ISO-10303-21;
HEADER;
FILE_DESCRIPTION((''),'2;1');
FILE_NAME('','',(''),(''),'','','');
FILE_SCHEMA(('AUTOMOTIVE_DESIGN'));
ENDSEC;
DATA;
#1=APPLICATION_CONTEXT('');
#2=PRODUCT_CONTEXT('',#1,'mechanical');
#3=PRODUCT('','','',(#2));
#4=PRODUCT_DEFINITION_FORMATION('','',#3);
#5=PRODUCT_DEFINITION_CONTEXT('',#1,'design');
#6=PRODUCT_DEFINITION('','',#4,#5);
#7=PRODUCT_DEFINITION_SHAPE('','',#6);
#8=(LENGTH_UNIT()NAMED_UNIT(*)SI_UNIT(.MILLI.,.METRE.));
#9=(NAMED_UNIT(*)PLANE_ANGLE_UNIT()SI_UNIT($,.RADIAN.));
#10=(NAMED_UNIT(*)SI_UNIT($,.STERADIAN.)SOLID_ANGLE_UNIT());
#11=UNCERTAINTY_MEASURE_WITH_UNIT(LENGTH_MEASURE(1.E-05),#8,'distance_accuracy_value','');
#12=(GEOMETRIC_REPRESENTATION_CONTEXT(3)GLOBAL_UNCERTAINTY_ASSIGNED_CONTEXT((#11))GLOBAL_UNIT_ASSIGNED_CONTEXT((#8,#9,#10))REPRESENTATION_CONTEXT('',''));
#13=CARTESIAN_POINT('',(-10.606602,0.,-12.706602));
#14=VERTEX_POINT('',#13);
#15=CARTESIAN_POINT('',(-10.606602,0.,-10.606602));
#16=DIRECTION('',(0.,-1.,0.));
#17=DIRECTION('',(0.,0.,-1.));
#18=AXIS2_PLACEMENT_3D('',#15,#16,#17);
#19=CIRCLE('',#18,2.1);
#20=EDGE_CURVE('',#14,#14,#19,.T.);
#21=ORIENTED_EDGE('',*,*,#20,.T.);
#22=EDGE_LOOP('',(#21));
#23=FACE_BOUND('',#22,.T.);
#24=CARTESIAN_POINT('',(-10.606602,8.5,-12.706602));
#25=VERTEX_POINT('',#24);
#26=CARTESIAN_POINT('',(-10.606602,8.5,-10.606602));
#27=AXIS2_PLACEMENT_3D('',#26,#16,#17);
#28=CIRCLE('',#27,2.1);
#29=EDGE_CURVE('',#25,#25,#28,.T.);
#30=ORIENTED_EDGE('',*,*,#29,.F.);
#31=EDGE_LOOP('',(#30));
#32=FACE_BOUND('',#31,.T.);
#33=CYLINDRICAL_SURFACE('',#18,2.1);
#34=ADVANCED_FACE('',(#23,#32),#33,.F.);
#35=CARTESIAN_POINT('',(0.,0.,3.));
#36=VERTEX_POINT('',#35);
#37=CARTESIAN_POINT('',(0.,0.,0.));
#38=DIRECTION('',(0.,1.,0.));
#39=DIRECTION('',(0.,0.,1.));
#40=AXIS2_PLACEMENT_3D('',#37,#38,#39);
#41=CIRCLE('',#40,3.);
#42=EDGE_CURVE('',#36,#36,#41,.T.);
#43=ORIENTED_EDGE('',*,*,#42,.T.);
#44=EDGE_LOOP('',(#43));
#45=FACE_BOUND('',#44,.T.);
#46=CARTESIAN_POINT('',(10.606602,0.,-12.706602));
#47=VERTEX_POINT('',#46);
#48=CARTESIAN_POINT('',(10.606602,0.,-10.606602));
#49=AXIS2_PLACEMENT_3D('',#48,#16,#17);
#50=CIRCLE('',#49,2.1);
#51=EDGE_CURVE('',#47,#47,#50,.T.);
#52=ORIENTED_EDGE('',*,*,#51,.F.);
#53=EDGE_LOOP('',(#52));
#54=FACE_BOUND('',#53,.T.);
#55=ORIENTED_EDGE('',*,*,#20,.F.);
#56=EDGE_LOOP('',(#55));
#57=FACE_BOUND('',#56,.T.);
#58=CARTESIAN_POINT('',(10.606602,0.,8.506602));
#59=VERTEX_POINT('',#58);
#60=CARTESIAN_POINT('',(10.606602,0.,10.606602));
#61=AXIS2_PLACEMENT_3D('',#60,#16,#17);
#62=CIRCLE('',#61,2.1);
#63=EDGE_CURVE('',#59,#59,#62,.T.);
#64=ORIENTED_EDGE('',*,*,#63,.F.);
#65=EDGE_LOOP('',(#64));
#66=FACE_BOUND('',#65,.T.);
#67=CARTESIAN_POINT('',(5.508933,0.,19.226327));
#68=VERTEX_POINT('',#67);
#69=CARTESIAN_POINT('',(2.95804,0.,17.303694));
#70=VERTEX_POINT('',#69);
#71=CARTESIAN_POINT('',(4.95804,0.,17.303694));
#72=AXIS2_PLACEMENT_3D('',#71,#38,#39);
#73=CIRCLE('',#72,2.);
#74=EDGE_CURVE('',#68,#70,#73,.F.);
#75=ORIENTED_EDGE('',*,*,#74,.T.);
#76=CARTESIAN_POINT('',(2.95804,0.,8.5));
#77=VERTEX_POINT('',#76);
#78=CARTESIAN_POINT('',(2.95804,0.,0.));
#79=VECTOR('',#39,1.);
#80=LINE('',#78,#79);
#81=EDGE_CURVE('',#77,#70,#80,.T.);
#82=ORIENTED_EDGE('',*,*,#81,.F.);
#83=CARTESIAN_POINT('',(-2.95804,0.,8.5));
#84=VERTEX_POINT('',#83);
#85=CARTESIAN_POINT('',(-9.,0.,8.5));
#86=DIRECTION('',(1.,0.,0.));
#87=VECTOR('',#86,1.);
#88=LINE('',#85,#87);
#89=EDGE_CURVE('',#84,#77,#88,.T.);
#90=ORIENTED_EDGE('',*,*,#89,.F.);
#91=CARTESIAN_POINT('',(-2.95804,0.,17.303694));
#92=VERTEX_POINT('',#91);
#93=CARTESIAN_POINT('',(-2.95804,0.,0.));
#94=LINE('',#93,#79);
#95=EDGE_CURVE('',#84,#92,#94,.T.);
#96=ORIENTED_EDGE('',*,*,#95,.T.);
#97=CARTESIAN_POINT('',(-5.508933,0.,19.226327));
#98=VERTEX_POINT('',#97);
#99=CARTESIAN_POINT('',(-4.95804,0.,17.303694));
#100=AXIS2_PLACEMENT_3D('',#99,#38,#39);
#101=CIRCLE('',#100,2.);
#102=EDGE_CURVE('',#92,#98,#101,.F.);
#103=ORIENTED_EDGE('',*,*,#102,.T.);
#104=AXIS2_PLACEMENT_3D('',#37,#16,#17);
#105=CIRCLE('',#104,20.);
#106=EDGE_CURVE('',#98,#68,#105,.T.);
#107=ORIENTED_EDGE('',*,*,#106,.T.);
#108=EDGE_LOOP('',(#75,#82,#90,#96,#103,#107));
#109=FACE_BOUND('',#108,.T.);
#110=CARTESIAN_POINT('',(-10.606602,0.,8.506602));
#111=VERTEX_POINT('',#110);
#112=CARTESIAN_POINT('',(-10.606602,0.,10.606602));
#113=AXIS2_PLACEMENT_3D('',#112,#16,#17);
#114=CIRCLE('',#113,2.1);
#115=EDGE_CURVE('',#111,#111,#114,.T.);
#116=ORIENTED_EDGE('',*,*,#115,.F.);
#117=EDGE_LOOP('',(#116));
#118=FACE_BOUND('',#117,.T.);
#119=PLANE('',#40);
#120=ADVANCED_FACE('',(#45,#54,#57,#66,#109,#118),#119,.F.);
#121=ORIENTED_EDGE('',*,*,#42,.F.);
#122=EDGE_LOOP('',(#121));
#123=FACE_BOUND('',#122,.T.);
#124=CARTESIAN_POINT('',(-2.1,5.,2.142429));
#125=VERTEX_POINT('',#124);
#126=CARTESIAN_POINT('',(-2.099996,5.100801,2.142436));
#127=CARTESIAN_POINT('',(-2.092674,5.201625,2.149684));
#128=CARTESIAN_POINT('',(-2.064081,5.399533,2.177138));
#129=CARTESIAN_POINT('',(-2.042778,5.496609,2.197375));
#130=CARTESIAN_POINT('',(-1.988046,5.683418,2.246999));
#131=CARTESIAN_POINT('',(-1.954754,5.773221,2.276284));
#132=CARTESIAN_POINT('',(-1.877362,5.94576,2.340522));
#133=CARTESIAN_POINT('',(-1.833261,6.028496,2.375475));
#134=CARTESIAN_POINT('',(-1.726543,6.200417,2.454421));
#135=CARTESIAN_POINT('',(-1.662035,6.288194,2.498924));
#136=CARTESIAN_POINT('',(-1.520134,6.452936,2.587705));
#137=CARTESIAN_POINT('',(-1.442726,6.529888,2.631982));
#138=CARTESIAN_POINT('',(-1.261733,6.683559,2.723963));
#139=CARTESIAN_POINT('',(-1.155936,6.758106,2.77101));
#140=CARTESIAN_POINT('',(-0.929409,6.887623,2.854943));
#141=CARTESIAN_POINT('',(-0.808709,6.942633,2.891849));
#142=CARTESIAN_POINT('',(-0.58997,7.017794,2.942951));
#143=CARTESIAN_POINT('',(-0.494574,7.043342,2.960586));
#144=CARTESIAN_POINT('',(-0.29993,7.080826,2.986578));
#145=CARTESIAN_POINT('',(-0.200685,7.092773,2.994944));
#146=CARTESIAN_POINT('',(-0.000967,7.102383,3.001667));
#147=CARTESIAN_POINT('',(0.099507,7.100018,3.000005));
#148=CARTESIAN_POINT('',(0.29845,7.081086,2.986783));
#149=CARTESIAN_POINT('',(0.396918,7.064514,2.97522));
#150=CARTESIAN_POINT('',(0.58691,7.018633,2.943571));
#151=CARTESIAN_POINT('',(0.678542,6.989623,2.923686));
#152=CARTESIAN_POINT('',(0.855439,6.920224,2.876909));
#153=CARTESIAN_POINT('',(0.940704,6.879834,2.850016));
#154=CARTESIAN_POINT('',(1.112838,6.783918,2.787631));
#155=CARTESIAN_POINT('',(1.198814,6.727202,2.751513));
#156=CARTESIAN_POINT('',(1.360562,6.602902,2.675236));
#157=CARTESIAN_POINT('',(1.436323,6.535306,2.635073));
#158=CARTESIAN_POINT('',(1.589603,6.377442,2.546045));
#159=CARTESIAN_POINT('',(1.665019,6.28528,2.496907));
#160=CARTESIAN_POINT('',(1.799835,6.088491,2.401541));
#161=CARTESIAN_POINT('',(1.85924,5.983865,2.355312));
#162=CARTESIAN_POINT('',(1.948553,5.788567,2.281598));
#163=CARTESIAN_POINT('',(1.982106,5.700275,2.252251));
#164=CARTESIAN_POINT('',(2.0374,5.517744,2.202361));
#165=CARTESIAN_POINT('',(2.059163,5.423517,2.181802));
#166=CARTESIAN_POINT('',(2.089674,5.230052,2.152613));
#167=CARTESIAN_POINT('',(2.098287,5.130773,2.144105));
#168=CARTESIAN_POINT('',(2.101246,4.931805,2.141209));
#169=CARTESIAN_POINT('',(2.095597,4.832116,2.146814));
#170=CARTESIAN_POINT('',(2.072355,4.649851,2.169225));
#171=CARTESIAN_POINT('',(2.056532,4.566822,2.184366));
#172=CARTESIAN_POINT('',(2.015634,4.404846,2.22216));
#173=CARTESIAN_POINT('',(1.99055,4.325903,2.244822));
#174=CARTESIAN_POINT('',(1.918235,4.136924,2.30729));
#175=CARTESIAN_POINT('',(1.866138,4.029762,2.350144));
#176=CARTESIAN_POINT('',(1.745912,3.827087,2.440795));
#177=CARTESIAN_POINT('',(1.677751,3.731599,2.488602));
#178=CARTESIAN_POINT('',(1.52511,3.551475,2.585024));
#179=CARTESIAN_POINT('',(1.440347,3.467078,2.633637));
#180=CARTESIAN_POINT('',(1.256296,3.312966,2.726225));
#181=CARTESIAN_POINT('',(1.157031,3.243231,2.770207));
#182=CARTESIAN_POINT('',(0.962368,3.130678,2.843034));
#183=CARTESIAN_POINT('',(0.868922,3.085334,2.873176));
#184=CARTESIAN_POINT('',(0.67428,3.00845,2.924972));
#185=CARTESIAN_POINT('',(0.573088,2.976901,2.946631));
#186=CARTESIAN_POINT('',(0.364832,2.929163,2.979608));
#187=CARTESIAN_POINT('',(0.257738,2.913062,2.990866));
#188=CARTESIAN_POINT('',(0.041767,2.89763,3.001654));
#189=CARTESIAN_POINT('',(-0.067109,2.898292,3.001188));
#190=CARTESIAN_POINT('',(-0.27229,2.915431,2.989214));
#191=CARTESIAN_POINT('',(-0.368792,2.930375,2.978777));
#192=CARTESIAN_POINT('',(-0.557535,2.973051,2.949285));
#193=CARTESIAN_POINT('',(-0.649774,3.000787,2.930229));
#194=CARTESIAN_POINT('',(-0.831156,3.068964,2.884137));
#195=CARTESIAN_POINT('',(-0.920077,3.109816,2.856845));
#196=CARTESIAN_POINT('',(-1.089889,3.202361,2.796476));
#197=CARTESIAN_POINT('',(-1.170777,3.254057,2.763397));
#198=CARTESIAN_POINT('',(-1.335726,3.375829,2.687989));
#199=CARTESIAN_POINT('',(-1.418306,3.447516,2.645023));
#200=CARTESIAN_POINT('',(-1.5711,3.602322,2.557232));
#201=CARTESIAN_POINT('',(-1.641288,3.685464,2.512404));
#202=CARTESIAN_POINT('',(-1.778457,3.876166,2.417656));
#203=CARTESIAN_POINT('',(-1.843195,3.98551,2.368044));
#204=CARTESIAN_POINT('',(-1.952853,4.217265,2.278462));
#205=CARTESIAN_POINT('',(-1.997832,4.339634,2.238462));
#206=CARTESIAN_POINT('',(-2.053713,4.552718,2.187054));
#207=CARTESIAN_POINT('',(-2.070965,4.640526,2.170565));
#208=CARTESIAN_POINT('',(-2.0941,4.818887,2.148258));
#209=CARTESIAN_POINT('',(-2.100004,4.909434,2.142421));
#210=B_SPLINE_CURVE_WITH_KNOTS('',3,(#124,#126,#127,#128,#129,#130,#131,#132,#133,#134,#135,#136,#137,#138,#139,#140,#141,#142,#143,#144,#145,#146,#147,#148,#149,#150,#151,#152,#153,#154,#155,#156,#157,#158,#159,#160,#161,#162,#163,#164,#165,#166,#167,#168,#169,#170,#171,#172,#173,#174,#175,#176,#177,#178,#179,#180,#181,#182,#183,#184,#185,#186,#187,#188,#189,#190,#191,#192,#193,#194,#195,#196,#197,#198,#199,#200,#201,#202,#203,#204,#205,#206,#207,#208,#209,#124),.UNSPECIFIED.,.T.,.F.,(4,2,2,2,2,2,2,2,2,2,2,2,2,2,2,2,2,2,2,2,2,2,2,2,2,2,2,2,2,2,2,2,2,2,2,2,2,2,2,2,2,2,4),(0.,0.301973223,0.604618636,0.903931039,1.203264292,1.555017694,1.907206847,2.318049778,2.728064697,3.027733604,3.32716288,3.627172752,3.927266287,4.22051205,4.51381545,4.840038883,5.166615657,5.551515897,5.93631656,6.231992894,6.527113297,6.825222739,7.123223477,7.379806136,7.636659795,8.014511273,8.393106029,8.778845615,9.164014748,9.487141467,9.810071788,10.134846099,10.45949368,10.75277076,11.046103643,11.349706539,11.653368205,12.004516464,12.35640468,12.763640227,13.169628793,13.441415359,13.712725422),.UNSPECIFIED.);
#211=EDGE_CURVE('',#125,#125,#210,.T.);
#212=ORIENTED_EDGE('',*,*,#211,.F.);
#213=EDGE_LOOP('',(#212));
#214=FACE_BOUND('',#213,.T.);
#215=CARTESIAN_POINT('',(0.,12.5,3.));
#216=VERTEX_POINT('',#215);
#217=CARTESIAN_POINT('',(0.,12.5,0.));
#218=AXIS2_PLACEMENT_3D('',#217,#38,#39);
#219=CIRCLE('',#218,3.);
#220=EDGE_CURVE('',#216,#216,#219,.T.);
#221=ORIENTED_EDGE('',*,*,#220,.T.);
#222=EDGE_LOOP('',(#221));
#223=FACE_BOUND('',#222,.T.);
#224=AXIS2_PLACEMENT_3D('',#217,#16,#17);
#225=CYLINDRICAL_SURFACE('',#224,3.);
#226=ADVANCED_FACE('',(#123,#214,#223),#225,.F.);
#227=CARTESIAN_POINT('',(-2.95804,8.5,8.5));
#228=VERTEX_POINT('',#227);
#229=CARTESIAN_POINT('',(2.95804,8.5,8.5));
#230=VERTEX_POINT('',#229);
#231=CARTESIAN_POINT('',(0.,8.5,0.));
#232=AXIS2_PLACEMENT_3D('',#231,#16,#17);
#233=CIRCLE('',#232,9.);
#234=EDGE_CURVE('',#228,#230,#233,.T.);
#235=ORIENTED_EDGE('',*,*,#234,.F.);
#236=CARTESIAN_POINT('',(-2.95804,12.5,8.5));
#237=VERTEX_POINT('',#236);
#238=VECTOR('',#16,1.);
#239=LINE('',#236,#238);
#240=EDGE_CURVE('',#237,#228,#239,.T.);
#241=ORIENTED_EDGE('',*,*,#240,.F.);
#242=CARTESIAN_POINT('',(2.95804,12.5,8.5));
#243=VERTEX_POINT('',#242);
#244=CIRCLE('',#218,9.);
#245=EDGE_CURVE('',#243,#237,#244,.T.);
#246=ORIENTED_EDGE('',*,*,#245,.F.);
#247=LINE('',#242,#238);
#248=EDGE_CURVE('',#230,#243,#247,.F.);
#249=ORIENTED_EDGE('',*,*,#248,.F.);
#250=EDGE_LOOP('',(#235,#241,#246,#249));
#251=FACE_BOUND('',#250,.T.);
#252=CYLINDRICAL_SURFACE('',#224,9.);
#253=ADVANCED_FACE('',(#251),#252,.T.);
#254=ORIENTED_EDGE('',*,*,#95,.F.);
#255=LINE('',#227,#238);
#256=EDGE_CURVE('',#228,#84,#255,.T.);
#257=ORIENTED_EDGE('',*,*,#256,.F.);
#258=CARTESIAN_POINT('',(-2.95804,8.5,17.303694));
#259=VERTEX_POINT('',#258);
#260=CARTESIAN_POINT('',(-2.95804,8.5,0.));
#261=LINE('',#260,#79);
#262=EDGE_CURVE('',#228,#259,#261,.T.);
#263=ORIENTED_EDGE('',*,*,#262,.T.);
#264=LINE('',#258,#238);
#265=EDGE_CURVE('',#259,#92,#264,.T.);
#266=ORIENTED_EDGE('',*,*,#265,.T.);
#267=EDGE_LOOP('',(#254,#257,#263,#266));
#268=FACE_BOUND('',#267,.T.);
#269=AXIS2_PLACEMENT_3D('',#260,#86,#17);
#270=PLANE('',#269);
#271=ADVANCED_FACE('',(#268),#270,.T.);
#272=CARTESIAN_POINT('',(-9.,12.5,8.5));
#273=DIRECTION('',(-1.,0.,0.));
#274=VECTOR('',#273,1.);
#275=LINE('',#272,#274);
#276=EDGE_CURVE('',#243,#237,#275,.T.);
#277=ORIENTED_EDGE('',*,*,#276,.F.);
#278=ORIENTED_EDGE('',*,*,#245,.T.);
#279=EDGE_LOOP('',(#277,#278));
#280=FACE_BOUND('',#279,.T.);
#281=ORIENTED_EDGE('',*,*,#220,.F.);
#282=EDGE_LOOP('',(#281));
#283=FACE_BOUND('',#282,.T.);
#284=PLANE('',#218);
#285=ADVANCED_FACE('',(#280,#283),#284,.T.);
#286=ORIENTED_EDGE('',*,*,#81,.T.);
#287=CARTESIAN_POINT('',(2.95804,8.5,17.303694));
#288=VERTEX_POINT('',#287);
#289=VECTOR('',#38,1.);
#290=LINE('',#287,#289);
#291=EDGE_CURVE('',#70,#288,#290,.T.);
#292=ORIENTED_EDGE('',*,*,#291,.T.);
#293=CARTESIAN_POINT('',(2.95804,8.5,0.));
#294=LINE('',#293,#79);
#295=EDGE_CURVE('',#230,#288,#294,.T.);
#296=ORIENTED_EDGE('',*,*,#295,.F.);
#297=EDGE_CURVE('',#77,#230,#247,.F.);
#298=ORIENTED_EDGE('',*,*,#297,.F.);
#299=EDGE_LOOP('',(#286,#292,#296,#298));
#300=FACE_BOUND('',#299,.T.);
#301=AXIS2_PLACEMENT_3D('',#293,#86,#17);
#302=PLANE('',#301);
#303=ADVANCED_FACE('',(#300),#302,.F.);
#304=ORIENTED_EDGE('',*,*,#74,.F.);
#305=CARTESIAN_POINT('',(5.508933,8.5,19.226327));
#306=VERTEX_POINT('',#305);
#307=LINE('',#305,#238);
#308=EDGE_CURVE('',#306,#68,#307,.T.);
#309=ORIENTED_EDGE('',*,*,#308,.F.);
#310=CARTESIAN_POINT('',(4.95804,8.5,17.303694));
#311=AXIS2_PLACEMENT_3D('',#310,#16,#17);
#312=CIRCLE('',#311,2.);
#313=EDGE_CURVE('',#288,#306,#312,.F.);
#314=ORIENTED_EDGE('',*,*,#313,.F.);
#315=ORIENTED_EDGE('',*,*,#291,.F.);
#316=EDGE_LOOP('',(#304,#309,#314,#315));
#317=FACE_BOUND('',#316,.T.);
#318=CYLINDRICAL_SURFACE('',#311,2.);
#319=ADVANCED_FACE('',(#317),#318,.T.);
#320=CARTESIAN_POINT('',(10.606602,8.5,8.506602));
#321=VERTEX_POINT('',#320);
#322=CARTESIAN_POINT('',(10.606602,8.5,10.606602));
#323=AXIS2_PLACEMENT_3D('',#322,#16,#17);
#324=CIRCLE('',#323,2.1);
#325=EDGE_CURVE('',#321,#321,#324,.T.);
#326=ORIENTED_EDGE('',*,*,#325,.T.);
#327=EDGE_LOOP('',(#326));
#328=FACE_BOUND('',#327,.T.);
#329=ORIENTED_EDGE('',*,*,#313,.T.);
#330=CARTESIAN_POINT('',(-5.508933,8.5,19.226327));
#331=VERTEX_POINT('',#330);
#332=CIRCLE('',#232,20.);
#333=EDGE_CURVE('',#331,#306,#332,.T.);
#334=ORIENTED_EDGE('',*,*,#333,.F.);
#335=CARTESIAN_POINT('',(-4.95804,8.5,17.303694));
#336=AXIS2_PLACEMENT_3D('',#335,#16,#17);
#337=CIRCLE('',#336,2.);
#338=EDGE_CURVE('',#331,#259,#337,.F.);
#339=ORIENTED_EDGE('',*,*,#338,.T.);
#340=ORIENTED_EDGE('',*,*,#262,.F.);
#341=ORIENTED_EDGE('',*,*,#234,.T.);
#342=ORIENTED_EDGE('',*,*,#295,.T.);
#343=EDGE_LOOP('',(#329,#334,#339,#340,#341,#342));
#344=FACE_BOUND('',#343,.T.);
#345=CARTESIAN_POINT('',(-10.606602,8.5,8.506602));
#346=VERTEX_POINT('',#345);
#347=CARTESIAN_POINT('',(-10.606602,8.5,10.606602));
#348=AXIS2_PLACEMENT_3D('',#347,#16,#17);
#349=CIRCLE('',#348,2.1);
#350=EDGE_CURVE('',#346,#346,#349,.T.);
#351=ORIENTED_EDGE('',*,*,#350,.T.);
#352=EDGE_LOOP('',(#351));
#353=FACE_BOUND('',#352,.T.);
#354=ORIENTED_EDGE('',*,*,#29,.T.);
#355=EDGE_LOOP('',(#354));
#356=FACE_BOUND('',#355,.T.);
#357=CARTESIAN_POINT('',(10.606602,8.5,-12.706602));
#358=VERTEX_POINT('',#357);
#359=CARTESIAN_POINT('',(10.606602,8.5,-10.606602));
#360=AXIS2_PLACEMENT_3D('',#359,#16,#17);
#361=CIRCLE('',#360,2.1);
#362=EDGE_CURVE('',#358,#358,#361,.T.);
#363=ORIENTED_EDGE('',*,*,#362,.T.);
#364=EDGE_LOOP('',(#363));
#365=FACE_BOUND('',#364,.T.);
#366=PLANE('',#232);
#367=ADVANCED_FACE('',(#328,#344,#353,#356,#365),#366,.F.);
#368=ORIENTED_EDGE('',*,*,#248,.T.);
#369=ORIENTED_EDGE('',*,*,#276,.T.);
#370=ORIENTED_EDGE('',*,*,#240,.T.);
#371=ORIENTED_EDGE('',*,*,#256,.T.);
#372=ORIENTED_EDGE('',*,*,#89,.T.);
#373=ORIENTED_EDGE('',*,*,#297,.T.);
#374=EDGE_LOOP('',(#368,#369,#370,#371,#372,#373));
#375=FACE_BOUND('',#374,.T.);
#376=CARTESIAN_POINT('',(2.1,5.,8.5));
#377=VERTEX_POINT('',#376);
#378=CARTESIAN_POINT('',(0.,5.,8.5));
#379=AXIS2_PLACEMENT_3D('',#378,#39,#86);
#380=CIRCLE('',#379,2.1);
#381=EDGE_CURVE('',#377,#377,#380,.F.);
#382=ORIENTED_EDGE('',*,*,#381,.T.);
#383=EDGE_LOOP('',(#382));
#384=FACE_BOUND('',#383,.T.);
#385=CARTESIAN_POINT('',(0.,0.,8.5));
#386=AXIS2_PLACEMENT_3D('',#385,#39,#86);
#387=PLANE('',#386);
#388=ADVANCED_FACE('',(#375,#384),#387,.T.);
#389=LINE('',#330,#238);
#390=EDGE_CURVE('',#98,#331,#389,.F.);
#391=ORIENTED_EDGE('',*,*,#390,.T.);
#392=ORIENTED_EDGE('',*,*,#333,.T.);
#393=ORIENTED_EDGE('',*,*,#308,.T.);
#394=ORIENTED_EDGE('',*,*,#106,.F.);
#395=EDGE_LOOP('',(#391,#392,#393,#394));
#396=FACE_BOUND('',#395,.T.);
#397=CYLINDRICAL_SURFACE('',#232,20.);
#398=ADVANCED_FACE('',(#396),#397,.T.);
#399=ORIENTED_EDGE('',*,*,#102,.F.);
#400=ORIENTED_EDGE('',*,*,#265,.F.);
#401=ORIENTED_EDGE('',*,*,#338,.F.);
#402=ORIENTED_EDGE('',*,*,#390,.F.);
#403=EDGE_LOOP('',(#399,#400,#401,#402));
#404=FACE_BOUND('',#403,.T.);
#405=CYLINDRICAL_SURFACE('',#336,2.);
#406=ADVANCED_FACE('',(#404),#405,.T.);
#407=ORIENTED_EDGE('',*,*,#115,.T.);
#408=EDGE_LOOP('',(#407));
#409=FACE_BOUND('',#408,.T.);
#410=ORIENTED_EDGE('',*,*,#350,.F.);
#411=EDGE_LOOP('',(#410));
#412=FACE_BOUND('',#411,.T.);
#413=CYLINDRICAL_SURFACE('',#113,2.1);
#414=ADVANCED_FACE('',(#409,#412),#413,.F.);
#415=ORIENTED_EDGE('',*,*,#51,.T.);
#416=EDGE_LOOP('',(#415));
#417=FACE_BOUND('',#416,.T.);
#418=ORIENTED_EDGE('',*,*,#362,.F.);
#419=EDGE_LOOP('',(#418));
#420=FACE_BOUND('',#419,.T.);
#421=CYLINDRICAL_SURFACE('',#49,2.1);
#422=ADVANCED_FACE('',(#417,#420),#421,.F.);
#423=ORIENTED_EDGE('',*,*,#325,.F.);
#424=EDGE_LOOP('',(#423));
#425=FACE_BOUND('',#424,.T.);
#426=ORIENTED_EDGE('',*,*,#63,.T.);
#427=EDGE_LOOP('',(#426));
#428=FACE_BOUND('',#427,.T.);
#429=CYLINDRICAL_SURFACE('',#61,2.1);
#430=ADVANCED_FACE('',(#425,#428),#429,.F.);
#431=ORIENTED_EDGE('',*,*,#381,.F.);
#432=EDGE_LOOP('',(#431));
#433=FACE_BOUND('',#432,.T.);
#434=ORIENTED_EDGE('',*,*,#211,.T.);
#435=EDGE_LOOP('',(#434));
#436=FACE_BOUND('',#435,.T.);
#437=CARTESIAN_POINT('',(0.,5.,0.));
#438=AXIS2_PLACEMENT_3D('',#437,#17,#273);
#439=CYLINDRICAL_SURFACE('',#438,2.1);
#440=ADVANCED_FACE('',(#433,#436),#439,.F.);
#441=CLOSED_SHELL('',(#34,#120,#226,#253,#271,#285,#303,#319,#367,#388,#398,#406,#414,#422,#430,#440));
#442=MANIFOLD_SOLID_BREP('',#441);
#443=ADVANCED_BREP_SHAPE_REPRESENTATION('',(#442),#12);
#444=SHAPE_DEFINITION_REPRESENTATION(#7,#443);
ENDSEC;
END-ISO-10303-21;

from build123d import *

# Parameters (mm, degrees)
SKETCH1_R                  = 9
SKETCH1_R_2                = 3
BOSS_EXTRUDE1_DEPTH        = 12.5
SKETCH5_W                  = 2.1
SKETCH5_H                  = 9
CUT_EXTRUDE1_START         = 9
SKETCH6_W                  = 18
SKETCH6_H                  = 12.5
CUT_EXTRUDE1_DEPTH         = 0.5
BOSS_EXTRUDE2_DEPTH        = 8.5
FILLET1_R                  = 2
F_4_2_4_2_DIAMETER_HOLE2_D = 4.2


with BuildPart() as part:
    # Sketch1 → Boss-Extrude1 (new body)
    with BuildSketch(Plane(origin=(0, 0, 0), x_dir=(1, 0, 0), z_dir=(0, 1, 0))):
        with Locations(Location((0, 0, 0), (0, 0, 270))):
            Circle(SKETCH1_R)
        with Locations(Location((0, 0, 0), (0, 0, 270))):
            Circle(SKETCH1_R_2, mode=Mode.SUBTRACT)
    extrude(amount=BOSS_EXTRUDE1_DEPTH)

    # Sketch5 → Ø4.2 (4.2) Diameter Hole1 (revolve, cut)
    with BuildSketch(Plane(origin=(0, 5, 0), x_dir=(0, 1, 0), z_dir=(1, 0, 0))):
        with Locations((1.05, 4.5)):
            Rectangle(SKETCH5_W, SKETCH5_H)
    revolve(axis=Axis((0, 5, -6.35), (0, 0, 1)), mode=Mode.SUBTRACT)

    # Sketch6 → Cut-Extrude1 (cut)
    with BuildSketch(Plane.XY.offset(CUT_EXTRUDE1_START)):
        with Locations((0, 6.25)):
            Rectangle(SKETCH6_W, SKETCH6_H)
    extrude(amount=-CUT_EXTRUDE1_DEPTH, mode=Mode.SUBTRACT)

    # Sketch7 → Boss-Extrude2 (add)
    with BuildSketch(Plane.XZ):
        with BuildLine():
            Line((-2.958039892, 8.5), (-2.958039892, 19.780040445))
            ThreePointArc((-2.958039892, 19.780040445), (0, -20), (2.958039892, 19.780040445))
            Line((2.958039892, 19.780040445), (2.958039892, 8.5))
            ThreePointArc((2.958039892, 8.5), (0, -9), (-2.958039892, 8.5))
        make_face()
    extrude(amount=-BOSS_EXTRUDE2_DEPTH)

    # Fillet1
    fillet1_edges = [part.edges().sort_by_distance(p)[0] for p in [
        (-2.958039892, 4.25, 19.780040445),
        (2.958039892, 4.25, 19.780040445),
    ]]
    fillet(fillet1_edges, radius=FILLET1_R)

    # Ø4.2 (4.2) Diameter Hole2 (through all)
    with Locations(Plane(origin=(0, 0, 0), x_dir=(-1, 0, 0), z_dir=(0, -1, 0))):
        with Locations((10.606601718, -10.606601718), (-10.606601718, -10.606601718), (-10.606601718, 10.606601718), (10.606601718, 10.606601718)):
            Hole(F_4_2_4_2_DIAMETER_HOLE2_D / 2)


solid = part.part
